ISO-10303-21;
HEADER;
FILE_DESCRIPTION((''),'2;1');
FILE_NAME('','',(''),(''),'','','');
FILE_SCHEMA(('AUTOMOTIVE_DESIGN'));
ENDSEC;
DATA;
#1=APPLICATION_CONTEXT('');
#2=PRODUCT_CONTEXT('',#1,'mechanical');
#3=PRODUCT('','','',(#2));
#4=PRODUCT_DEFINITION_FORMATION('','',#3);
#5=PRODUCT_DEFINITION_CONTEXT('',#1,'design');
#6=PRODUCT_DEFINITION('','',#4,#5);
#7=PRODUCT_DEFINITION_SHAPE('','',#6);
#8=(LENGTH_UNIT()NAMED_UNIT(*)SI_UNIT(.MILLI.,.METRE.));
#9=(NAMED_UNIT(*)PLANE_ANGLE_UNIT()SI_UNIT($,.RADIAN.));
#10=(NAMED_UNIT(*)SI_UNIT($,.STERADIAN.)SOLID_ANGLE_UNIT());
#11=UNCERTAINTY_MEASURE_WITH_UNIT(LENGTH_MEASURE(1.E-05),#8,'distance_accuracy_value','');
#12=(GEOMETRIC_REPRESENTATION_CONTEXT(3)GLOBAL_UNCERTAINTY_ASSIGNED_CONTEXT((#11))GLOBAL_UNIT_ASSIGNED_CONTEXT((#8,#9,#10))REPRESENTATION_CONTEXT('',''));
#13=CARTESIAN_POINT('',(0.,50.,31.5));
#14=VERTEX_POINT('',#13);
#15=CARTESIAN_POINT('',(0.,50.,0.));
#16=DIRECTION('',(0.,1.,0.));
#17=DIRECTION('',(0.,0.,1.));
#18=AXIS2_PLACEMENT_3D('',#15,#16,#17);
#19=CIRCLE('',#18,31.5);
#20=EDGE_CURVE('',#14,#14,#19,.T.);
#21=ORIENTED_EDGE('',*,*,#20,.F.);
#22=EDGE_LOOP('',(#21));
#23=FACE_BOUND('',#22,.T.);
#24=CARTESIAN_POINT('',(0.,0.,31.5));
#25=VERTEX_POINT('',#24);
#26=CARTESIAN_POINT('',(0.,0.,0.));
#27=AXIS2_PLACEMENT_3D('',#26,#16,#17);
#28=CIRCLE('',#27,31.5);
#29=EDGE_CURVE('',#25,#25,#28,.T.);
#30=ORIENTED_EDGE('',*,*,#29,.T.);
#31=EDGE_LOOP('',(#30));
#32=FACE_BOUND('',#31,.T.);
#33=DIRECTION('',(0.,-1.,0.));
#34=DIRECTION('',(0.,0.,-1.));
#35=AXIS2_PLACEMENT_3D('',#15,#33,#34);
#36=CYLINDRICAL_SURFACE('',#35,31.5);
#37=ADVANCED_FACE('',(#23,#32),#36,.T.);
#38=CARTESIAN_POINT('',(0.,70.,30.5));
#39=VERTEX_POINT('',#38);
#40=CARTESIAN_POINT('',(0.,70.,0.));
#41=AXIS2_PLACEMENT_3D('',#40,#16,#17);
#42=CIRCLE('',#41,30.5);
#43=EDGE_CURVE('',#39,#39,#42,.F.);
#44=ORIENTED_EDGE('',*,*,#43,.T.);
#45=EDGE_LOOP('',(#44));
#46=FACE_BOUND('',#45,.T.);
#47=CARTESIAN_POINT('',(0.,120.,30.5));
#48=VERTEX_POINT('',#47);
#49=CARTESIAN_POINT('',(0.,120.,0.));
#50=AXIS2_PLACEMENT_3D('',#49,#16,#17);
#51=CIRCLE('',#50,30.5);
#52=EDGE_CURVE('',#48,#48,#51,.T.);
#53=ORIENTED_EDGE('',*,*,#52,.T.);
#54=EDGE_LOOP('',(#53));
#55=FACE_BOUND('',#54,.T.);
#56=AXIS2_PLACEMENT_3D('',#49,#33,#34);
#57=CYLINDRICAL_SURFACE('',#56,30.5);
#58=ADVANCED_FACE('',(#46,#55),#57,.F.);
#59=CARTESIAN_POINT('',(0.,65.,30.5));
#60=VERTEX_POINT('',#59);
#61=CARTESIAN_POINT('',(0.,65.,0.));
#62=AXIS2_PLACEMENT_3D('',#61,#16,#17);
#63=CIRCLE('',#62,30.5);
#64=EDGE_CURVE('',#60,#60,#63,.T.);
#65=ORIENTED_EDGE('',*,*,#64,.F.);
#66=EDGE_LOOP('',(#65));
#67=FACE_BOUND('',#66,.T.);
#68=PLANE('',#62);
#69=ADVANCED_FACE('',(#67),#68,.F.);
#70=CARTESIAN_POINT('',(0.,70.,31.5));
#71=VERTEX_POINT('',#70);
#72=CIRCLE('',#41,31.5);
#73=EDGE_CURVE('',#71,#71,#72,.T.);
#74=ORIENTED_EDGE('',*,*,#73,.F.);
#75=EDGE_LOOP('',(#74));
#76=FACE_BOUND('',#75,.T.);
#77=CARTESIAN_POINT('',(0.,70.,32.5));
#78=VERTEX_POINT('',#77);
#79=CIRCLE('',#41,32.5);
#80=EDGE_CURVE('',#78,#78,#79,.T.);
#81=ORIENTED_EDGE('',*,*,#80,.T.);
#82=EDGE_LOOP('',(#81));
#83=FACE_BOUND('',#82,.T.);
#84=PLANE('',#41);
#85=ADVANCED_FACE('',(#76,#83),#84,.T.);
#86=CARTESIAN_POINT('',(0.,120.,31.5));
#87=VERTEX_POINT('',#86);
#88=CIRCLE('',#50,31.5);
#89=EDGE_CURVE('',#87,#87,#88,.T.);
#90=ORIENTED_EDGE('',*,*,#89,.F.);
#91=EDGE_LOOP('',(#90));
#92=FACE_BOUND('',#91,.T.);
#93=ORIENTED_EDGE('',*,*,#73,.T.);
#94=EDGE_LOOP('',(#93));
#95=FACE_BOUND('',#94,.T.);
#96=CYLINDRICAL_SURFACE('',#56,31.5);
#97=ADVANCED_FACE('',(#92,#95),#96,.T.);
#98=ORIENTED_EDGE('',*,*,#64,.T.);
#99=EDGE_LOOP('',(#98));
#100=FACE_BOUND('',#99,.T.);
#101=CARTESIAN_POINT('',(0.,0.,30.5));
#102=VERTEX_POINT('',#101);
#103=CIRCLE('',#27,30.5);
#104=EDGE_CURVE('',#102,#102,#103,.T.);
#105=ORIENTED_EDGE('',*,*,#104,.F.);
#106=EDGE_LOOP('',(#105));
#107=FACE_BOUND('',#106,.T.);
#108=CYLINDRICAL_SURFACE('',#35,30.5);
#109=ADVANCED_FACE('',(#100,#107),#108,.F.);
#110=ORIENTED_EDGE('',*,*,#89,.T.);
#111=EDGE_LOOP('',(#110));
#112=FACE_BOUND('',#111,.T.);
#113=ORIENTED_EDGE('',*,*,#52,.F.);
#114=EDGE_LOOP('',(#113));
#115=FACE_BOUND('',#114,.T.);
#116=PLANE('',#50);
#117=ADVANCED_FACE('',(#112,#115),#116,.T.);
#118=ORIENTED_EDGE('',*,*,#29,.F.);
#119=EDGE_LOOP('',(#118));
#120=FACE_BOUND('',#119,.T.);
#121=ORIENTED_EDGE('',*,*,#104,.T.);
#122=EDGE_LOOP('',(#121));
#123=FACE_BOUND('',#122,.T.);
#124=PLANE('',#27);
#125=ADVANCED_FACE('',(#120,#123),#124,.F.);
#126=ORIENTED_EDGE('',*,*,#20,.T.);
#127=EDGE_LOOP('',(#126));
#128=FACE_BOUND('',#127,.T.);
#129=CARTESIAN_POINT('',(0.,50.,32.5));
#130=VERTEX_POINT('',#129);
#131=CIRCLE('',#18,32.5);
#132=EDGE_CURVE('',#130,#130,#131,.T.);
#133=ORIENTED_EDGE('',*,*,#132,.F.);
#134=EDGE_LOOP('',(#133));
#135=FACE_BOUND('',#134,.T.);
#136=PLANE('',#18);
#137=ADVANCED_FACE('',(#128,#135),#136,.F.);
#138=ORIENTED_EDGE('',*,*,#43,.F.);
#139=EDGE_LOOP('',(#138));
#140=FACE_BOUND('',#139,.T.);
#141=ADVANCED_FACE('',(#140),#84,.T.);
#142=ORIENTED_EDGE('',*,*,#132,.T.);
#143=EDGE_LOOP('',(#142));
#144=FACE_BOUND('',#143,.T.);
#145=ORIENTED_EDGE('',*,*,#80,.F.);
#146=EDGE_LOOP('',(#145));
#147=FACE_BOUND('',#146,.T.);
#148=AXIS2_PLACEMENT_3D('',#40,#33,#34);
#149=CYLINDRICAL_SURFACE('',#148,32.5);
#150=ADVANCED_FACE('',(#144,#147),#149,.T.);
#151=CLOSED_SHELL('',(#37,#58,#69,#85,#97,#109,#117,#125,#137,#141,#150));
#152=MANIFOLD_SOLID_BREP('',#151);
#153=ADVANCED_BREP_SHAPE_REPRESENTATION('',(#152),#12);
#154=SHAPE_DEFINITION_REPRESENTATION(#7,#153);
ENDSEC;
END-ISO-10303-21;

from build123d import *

# Parameters (mm, degrees)
ESBO_O1_R                = 31.5
ESBO_O1_R_2              = 30.5
RESSALTO_EXTRUS_O1_DEPTH = 50
ESBO_O2_R                = 32.5
ESBO_O2_R_2              = 30.5
RESSALTO_EXTRUS_O2_DEPTH = 20
ESBO_O3_R                = 31.5
ESBO_O3_R_2              = 30.5
RESSALTO_EXTRUS_O3_DEPTH = 50
RESSALTO_EXTRUS_O4_START = -5
ESBO_O6_R                = 30.5
RESSALTO_EXTRUS_O4_DEPTH = 5


with BuildPart() as part:
    # Esboço1 → Ressalto-extrusão1 (new body)
    with BuildSketch(Plane(origin=(0, 0, 0), x_dir=(1, 0, 0), z_dir=(0, 1, 0))):
        with Locations(Location((0, 0, 0), (0, 0, 270))):
            Circle(ESBO_O1_R)
        with Locations(Location((0, 0, 0), (0, 0, 270))):
            Circle(ESBO_O1_R_2, mode=Mode.SUBTRACT)
    extrude(amount=RESSALTO_EXTRUS_O1_DEPTH)


with BuildPart() as body_2:
    # Esboço2 → Ressalto-extrusão2 (new body)
    with BuildSketch(Plane(origin=(0, 50, 0), x_dir=(1, 0, 0), z_dir=(0, 1, 0))):
        with Locations(Location((0, 0, 0), (0, 0, 270))):
            Circle(ESBO_O2_R)
        with Locations(Location((0, 0, 0), (0, 0, 270))):
            Circle(ESBO_O2_R_2, mode=Mode.SUBTRACT)
    extrude(amount=RESSALTO_EXTRUS_O2_DEPTH)



with BuildPart() as body_3:
    # Esboço3 → Ressalto-extrusão3 (new body)
    with BuildSketch(Plane(origin=(0, 70, 0), x_dir=(1, 0, 0), z_dir=(0, 1, 0))):
        with Locations(Location((0, 0, 0), (0, 0, 270))):
            Circle(ESBO_O3_R)
        with Locations(Location((0, 0, 0), (0, 0, 270))):
            Circle(ESBO_O3_R_2, mode=Mode.SUBTRACT)
    extrude(amount=RESSALTO_EXTRUS_O3_DEPTH)


with BuildPart() as body_2_1:
    add(body_2.part)

    add(body_3.part)  # Ressalto-extrusão4 merges body 3
    # Esboço6 → Ressalto-extrusão4 (add)
    with BuildSketch(Plane(origin=(0, 70, 0), x_dir=(1, 0, 0), z_dir=(0, 1, 0)).offset(RESSALTO_EXTRUS_O4_START)):
        with Locations(Location((0, 0, 0), (0, 0, 270))):
            Circle(ESBO_O6_R)
    extrude(amount=RESSALTO_EXTRUS_O4_DEPTH)


with BuildPart() as part_1:
    add(part.part)

    # Combinar3: union body 2
    add(body_2_1.part)


solid = part_1.part
